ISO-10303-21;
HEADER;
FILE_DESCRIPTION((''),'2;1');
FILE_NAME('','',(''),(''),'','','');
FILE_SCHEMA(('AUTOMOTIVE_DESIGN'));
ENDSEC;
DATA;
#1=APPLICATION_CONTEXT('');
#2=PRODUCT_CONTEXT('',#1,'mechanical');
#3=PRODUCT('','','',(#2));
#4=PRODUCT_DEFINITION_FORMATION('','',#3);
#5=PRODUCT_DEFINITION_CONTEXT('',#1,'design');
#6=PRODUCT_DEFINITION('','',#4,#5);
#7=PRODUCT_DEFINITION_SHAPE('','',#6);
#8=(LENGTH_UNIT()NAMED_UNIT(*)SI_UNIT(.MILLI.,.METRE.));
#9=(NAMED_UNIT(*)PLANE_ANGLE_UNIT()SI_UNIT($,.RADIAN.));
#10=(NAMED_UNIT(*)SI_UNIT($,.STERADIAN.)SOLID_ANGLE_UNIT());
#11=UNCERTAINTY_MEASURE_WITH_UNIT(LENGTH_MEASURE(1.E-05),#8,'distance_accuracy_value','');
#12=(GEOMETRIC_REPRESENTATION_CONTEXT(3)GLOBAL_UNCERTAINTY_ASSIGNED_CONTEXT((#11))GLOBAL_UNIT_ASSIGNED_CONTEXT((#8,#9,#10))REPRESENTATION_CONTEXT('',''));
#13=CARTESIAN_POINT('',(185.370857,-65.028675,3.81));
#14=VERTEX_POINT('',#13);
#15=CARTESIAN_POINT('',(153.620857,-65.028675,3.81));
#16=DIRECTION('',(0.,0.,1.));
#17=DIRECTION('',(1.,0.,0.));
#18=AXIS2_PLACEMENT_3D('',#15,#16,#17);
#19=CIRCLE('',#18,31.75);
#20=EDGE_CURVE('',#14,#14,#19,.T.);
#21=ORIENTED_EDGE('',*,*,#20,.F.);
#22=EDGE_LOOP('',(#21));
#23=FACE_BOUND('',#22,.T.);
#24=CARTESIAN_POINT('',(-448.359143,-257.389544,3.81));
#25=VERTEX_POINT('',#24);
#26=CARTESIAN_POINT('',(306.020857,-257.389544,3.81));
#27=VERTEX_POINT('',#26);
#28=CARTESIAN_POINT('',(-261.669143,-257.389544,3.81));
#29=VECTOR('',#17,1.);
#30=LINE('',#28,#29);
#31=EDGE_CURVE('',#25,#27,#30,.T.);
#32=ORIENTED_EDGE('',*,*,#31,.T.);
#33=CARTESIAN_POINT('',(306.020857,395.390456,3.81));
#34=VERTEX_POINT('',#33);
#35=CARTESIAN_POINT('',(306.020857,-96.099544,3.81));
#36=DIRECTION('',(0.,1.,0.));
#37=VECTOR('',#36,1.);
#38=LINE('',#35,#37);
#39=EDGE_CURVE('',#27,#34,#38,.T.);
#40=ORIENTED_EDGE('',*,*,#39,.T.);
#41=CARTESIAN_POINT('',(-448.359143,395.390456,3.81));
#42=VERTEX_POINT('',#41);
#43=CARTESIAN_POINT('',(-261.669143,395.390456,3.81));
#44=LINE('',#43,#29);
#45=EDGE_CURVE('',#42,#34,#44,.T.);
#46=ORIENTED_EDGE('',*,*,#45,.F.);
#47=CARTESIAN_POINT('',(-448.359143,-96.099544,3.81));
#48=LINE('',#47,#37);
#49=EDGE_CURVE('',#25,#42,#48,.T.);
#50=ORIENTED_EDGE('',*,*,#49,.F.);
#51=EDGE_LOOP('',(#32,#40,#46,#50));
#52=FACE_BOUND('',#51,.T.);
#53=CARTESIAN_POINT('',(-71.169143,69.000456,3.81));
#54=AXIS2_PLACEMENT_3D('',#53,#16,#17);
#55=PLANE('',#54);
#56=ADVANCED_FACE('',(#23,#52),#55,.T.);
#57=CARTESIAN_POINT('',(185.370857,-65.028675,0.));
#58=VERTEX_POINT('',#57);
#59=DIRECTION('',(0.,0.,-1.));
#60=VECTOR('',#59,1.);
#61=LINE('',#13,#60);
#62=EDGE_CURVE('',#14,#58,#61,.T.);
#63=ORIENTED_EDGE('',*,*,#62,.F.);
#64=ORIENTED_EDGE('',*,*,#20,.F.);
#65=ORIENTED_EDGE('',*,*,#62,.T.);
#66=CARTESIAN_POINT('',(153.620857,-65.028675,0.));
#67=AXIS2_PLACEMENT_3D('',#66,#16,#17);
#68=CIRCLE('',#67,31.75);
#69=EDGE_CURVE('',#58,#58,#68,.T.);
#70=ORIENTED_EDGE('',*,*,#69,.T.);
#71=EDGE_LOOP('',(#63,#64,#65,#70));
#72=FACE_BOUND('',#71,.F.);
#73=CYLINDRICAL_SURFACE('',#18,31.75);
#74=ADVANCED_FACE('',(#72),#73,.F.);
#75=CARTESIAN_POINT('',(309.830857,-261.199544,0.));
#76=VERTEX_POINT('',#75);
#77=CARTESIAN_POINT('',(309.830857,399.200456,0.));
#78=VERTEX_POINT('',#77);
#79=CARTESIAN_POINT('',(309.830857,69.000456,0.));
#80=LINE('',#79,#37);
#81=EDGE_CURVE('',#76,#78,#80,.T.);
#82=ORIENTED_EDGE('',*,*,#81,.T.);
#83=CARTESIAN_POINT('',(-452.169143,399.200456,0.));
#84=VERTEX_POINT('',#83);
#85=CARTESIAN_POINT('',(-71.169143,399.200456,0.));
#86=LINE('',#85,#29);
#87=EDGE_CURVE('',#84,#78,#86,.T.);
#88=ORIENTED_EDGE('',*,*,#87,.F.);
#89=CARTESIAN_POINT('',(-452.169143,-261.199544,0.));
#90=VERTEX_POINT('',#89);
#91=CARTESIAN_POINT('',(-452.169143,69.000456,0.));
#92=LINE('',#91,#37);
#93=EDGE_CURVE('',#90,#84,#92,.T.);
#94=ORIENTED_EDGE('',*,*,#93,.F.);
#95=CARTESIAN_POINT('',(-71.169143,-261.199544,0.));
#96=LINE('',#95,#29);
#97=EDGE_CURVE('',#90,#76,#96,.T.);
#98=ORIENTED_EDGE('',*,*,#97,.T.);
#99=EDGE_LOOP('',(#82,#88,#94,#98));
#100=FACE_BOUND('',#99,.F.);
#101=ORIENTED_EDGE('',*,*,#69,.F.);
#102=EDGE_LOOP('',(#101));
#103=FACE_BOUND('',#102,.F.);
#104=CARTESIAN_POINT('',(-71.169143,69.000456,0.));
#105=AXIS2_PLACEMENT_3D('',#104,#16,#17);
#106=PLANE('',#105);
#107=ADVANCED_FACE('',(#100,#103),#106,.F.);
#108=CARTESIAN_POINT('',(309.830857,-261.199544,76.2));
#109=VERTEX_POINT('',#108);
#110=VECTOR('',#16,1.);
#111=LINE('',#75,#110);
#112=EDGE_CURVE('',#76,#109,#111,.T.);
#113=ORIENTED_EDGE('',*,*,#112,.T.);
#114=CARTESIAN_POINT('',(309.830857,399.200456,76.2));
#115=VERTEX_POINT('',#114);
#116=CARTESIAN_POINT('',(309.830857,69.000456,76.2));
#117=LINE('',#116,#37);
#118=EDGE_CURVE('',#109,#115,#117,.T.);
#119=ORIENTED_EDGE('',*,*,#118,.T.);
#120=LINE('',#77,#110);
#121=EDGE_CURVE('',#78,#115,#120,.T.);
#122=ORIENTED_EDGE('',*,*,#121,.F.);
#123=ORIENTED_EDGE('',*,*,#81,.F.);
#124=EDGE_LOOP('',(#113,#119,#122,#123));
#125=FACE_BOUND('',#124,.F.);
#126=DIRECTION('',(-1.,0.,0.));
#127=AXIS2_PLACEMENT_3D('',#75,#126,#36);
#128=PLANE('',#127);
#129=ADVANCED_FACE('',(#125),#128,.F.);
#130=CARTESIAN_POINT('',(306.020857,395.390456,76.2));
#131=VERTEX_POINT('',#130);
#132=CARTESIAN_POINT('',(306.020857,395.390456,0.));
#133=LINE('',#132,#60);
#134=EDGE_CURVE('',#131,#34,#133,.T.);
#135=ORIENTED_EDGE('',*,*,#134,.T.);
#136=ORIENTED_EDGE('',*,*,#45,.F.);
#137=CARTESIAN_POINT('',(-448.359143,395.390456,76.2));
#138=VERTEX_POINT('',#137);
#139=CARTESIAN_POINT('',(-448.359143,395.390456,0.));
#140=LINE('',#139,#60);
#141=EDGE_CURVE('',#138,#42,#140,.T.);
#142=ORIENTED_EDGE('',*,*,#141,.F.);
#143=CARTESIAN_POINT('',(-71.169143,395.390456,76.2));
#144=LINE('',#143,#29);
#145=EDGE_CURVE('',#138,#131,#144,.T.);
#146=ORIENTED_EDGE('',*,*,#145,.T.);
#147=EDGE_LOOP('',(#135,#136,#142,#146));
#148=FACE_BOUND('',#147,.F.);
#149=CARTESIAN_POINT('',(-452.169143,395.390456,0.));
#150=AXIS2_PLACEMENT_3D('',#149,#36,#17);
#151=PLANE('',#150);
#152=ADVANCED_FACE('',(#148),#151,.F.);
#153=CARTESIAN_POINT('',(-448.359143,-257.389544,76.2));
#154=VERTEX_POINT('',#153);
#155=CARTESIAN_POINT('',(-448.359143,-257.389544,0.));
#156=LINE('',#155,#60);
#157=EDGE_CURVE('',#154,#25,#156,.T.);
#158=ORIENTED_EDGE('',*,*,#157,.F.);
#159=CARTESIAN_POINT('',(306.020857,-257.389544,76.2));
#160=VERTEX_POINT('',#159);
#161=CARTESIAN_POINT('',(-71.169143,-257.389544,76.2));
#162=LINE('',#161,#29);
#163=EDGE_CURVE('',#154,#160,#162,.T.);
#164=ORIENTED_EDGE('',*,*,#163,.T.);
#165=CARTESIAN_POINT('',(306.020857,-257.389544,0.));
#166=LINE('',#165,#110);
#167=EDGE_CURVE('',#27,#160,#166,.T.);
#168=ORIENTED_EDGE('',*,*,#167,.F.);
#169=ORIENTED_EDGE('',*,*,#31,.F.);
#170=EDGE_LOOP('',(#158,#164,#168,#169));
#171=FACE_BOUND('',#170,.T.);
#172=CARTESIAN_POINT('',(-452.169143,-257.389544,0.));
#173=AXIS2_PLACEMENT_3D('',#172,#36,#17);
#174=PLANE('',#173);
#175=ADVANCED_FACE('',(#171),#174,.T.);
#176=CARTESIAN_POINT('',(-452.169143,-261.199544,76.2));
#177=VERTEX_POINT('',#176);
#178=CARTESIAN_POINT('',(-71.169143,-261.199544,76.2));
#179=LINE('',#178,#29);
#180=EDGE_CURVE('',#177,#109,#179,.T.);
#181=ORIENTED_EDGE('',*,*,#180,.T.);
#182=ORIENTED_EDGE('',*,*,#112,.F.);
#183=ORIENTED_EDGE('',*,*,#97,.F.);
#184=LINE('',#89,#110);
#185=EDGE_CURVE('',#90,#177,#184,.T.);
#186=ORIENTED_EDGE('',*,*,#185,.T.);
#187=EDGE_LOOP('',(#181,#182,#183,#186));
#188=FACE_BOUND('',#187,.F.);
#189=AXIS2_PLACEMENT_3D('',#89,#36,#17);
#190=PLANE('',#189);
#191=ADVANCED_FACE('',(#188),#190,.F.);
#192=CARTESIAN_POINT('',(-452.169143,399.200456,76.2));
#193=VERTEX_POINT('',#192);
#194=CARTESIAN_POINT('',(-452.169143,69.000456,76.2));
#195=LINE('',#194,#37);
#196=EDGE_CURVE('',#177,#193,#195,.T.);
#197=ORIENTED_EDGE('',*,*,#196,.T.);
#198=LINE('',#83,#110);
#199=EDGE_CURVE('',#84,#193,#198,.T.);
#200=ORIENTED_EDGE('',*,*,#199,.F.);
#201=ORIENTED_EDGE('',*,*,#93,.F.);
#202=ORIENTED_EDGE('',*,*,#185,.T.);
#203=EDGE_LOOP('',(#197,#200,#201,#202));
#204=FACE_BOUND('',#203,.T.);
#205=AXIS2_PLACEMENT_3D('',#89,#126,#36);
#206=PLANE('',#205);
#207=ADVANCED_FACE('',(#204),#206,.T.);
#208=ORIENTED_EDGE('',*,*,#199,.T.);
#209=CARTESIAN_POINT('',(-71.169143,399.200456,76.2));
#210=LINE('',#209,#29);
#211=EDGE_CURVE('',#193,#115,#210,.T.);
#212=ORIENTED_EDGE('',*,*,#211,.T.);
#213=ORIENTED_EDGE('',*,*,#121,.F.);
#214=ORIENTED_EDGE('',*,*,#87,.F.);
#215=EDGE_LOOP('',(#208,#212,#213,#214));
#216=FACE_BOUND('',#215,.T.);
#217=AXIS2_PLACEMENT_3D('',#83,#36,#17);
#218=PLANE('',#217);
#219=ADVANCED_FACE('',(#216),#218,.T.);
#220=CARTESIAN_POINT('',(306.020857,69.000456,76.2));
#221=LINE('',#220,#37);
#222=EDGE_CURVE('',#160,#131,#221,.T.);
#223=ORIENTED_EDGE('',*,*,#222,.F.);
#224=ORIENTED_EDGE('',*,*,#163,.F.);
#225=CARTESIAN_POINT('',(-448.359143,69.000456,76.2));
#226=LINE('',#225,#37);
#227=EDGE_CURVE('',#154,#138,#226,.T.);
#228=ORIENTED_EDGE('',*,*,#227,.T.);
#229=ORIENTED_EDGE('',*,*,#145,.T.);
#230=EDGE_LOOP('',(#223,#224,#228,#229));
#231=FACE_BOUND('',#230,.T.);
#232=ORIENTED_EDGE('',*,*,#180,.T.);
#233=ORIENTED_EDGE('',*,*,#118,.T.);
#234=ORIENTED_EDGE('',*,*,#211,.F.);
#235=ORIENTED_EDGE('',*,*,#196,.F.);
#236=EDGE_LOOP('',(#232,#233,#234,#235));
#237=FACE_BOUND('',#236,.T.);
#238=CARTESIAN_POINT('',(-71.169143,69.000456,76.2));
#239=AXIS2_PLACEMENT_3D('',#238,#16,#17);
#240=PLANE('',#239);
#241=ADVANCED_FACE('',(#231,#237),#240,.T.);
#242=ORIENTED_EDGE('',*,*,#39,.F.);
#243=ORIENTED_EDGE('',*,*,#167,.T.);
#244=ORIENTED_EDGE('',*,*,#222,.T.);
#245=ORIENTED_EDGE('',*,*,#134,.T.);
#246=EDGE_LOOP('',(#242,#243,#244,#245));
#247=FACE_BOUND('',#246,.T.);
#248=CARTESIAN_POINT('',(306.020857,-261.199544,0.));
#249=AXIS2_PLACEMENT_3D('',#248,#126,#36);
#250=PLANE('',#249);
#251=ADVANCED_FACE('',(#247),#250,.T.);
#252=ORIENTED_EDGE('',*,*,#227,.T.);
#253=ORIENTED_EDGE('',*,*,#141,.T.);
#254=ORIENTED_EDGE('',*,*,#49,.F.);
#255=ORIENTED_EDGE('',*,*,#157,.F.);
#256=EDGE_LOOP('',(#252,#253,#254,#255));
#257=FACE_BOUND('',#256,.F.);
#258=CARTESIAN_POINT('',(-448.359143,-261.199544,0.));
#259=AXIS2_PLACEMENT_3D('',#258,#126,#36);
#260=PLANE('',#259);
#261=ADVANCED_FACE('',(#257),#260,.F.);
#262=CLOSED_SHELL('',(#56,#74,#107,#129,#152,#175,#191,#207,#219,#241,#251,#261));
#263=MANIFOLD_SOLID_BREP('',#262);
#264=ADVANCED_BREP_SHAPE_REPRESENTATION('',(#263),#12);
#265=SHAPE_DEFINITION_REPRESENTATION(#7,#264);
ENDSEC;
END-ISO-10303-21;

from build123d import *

# Parameters (mm, degrees)
F0_W     = 762
F0_H     = 660.4
F1_DEPTH = 76.2
F2_T     = -3.81
F3_R     = 31.75
F4_DEPTH = 3.811


with BuildPart() as f1:
    # F0 (on Top) → F1 (new body)
    with BuildSketch(Plane.XY):
        with Locations((-71.169143, 69.000456)):
            Rectangle(F0_W, F0_H)
    extrude(amount=F1_DEPTH)

    # F2
    f2_openings = [f1.faces().sort_by_distance(p)[0] for p in [
        (-71.169143, 69.000456, 76.2),
    ]]
    offset(amount=F2_T, openings=f2_openings)

    # F3 (on face) → F4 (cut, through all)
    with BuildSketch(Plane.XY.offset(3.81)):
        with Locations((153.620857, -65.028675)):
            Circle(F3_R)
    extrude(amount=-F4_DEPTH, mode=Mode.SUBTRACT)


solid = f1.part
